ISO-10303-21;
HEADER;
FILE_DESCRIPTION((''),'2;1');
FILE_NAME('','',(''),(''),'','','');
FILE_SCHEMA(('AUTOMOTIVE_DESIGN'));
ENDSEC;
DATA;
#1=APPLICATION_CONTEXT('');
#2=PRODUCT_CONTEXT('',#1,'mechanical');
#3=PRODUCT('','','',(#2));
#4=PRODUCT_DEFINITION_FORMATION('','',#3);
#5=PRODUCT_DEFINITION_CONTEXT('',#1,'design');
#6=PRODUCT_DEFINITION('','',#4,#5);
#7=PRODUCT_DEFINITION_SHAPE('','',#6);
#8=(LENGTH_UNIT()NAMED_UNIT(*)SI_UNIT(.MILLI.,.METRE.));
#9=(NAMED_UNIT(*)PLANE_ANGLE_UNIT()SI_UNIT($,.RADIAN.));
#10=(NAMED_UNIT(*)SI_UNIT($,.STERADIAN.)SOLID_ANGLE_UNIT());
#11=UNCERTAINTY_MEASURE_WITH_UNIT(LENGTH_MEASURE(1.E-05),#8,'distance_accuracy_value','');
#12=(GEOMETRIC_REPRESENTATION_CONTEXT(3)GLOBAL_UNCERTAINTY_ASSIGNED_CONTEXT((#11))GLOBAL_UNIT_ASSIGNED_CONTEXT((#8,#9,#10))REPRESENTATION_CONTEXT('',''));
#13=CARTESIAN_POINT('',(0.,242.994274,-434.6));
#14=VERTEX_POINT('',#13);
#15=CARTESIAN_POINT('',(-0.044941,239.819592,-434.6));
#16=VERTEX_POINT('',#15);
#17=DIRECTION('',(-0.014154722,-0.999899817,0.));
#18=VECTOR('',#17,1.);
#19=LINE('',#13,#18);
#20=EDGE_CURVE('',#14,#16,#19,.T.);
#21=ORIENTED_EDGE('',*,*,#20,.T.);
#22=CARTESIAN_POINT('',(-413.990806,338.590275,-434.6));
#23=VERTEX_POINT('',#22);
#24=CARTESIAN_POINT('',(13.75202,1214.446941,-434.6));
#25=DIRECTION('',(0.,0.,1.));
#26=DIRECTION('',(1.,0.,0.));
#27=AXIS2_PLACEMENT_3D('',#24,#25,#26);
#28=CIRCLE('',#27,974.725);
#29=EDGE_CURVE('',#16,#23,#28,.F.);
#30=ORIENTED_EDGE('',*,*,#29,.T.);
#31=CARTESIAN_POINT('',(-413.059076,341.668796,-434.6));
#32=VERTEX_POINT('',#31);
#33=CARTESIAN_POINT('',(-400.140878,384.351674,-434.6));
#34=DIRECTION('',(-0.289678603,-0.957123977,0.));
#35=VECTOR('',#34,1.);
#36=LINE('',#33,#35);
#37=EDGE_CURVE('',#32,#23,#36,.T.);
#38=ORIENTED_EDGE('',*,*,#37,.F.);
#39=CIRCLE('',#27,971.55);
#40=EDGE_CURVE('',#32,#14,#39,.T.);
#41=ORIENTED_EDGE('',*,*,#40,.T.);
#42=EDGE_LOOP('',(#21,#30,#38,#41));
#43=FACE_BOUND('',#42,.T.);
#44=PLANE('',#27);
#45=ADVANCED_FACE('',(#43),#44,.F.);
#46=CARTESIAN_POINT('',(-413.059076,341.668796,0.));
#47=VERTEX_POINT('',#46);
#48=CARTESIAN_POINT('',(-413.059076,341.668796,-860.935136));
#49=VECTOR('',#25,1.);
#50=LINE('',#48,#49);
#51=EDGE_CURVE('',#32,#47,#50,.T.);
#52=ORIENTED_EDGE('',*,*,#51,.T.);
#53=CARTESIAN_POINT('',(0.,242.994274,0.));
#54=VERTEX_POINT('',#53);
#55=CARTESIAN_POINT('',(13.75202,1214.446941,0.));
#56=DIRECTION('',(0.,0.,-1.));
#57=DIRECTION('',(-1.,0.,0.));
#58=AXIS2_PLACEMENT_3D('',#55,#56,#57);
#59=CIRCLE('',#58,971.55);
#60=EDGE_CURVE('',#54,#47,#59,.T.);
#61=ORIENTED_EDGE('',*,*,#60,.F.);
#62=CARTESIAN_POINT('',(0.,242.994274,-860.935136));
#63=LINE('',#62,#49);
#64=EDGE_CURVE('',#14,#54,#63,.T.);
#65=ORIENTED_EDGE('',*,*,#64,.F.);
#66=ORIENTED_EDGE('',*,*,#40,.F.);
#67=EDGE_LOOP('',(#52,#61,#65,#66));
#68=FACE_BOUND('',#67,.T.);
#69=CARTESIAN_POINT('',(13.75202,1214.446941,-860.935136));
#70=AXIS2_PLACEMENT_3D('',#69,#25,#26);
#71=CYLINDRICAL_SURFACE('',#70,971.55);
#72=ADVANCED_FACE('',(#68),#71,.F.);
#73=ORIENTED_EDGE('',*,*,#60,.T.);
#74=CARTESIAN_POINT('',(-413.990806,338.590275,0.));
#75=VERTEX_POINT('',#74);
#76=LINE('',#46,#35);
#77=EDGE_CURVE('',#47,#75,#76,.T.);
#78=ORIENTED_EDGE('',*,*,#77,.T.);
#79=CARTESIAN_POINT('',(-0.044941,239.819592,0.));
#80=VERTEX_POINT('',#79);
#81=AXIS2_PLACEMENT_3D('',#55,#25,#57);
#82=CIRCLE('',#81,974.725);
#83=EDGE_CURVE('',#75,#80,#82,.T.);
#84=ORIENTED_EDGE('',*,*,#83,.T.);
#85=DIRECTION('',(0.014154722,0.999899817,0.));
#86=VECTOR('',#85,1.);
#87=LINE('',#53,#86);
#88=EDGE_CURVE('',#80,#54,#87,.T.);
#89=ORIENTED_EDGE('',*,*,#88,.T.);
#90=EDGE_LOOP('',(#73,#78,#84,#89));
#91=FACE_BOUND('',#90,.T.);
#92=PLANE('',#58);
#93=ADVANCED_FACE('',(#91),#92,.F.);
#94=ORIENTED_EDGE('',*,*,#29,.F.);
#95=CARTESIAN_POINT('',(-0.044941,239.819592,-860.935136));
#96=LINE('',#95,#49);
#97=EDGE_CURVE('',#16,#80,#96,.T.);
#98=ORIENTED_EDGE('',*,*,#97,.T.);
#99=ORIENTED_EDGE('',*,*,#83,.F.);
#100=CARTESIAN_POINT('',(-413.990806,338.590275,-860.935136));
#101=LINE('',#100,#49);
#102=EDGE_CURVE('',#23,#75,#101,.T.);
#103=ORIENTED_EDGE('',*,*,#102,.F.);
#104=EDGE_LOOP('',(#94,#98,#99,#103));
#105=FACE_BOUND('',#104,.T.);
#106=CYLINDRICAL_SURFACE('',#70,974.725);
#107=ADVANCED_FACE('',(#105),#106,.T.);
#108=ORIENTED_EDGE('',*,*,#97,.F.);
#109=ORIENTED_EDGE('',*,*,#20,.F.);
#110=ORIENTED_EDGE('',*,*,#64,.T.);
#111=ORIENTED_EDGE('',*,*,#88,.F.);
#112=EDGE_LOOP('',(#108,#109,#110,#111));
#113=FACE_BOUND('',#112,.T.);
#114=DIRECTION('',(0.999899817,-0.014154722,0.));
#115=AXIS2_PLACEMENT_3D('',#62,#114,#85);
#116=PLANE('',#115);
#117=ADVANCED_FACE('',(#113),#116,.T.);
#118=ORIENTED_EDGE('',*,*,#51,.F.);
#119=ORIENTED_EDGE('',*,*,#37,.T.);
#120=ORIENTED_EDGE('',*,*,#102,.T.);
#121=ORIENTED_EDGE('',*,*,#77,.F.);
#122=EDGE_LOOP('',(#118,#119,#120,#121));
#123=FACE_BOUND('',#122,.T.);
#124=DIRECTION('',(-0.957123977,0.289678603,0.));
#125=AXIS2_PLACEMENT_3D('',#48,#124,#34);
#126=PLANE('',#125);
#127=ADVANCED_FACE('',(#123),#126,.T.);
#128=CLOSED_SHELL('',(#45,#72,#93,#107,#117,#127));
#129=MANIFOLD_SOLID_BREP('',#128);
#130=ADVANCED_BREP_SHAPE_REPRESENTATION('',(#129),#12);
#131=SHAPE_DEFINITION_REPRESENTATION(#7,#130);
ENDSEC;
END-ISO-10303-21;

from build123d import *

# Parameters (mm, degrees)
BOSS_EXTRUDE1_DEPTH = 434.6


with BuildPart() as part:
    # Sketch1 → Boss-Extrude1 (new body)
    with BuildSketch(Plane.XY):
        with BuildLine():
            Line((-1e-09, 242.994274124), (-0.044941243, 239.819592205))
            ThreePointArc((-0.044941243, 239.819592205), (-212.474101201, 266.337998302), (-413.99080623, 338.590274786))
            Line((-413.99080623, 338.590274786), (-413.059075646, 341.66879585))
            ThreePointArc((-413.059075646, 341.66879585), (-211.987055097, 269.485951335), (-1e-09, 242.994274124))
        make_face()
    extrude(amount=-BOSS_EXTRUDE1_DEPTH)


solid = part.part
